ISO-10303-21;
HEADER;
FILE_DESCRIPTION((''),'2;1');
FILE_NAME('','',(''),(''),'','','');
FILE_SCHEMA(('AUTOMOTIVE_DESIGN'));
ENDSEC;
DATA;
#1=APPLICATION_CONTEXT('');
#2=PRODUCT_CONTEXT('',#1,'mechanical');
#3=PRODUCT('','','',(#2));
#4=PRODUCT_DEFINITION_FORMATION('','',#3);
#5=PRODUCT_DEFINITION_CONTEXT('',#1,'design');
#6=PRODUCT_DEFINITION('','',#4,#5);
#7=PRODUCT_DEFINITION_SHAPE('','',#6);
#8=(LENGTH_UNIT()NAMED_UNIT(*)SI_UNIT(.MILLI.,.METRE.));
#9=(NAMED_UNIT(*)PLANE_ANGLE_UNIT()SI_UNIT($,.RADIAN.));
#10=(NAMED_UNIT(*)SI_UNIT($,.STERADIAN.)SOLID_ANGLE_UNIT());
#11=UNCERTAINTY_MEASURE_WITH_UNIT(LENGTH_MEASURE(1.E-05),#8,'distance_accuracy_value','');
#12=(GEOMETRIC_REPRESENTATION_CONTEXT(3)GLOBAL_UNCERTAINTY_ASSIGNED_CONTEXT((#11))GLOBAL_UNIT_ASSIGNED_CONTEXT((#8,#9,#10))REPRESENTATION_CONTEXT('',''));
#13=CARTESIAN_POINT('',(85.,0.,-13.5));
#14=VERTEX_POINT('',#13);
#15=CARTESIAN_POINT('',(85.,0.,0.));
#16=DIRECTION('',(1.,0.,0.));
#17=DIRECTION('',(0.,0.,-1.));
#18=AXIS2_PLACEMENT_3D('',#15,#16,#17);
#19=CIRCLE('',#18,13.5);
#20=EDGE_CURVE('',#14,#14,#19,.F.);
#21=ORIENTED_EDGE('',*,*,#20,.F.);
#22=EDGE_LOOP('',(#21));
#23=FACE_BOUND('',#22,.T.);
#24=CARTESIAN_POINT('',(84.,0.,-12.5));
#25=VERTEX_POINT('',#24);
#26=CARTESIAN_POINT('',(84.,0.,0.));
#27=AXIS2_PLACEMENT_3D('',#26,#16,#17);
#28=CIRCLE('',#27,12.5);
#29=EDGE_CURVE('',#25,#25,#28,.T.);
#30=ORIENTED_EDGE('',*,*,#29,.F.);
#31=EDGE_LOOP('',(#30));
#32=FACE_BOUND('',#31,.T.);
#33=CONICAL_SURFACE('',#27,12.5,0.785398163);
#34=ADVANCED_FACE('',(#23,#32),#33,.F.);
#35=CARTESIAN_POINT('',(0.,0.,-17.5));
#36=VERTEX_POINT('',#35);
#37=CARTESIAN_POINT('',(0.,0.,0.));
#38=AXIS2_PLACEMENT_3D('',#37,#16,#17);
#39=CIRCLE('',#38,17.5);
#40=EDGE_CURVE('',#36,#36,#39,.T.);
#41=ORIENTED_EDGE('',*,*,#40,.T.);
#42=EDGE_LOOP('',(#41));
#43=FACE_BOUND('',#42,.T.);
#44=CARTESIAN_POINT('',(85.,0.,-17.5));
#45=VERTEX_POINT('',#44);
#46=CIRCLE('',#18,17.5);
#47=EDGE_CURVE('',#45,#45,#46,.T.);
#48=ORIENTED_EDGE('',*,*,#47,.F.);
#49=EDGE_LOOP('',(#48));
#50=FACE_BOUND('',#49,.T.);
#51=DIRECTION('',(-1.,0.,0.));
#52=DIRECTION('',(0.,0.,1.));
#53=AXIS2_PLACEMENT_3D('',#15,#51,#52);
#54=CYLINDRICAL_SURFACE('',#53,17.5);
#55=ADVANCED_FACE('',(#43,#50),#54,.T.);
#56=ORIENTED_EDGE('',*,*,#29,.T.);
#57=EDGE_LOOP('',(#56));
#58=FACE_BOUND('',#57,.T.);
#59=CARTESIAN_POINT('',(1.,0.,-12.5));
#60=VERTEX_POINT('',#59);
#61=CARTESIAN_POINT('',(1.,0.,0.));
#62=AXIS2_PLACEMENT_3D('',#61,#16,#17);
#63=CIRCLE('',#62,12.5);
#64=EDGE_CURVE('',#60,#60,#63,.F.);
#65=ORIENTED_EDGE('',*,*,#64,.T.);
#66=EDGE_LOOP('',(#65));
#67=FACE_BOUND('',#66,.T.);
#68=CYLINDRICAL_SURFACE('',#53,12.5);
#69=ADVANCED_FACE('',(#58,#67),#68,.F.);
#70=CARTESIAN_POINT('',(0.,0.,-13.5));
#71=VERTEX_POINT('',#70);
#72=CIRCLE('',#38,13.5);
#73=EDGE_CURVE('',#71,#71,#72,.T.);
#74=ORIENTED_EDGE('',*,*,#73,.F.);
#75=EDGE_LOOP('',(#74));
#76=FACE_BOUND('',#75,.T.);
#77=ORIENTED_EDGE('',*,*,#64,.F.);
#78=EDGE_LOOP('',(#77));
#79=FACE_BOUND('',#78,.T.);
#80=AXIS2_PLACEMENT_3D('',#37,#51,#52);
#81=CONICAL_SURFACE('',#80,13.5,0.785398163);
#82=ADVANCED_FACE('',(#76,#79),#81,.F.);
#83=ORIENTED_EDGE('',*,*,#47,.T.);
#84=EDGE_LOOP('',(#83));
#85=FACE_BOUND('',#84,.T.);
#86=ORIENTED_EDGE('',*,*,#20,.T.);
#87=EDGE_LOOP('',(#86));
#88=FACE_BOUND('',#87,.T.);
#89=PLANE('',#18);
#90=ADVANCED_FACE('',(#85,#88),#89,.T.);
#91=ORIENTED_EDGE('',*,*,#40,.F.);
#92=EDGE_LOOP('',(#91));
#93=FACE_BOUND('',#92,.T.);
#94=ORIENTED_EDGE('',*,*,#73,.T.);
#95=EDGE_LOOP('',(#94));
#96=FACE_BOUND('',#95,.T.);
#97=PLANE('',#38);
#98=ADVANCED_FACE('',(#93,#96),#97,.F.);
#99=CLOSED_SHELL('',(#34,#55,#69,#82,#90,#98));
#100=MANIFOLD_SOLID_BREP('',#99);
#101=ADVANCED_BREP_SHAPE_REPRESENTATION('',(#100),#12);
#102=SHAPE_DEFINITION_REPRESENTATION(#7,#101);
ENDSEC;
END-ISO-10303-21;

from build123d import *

# Parameters (mm, degrees)
SZKIC1_R                    = 17.5
SZKIC1_R_2                  = 12.5
DODANIE_WYCI_GNI_CIE1_DEPTH = 85
SFAZOWANIE1_SIZE            = 1


with BuildPart() as part:
    # Szkic1 → Dodanie-wyciągnięcie1 (new body)
    with BuildSketch(Plane(origin=(0, 0, 0), x_dir=(0, 0, -1), z_dir=(1, 0, 0))):
        Circle(SZKIC1_R)
        Circle(SZKIC1_R_2, mode=Mode.SUBTRACT)
    extrude(amount=DODANIE_WYCI_GNI_CIE1_DEPTH)

    # Sfazowanie1
    sfazowanie1_edges = [part.edges().sort_by_distance(p)[0] for p in [
        (0, 0, 12.5),
        (85, 0, 12.5),
    ]]
    chamfer(sfazowanie1_edges, length=SFAZOWANIE1_SIZE)


solid = part.part
